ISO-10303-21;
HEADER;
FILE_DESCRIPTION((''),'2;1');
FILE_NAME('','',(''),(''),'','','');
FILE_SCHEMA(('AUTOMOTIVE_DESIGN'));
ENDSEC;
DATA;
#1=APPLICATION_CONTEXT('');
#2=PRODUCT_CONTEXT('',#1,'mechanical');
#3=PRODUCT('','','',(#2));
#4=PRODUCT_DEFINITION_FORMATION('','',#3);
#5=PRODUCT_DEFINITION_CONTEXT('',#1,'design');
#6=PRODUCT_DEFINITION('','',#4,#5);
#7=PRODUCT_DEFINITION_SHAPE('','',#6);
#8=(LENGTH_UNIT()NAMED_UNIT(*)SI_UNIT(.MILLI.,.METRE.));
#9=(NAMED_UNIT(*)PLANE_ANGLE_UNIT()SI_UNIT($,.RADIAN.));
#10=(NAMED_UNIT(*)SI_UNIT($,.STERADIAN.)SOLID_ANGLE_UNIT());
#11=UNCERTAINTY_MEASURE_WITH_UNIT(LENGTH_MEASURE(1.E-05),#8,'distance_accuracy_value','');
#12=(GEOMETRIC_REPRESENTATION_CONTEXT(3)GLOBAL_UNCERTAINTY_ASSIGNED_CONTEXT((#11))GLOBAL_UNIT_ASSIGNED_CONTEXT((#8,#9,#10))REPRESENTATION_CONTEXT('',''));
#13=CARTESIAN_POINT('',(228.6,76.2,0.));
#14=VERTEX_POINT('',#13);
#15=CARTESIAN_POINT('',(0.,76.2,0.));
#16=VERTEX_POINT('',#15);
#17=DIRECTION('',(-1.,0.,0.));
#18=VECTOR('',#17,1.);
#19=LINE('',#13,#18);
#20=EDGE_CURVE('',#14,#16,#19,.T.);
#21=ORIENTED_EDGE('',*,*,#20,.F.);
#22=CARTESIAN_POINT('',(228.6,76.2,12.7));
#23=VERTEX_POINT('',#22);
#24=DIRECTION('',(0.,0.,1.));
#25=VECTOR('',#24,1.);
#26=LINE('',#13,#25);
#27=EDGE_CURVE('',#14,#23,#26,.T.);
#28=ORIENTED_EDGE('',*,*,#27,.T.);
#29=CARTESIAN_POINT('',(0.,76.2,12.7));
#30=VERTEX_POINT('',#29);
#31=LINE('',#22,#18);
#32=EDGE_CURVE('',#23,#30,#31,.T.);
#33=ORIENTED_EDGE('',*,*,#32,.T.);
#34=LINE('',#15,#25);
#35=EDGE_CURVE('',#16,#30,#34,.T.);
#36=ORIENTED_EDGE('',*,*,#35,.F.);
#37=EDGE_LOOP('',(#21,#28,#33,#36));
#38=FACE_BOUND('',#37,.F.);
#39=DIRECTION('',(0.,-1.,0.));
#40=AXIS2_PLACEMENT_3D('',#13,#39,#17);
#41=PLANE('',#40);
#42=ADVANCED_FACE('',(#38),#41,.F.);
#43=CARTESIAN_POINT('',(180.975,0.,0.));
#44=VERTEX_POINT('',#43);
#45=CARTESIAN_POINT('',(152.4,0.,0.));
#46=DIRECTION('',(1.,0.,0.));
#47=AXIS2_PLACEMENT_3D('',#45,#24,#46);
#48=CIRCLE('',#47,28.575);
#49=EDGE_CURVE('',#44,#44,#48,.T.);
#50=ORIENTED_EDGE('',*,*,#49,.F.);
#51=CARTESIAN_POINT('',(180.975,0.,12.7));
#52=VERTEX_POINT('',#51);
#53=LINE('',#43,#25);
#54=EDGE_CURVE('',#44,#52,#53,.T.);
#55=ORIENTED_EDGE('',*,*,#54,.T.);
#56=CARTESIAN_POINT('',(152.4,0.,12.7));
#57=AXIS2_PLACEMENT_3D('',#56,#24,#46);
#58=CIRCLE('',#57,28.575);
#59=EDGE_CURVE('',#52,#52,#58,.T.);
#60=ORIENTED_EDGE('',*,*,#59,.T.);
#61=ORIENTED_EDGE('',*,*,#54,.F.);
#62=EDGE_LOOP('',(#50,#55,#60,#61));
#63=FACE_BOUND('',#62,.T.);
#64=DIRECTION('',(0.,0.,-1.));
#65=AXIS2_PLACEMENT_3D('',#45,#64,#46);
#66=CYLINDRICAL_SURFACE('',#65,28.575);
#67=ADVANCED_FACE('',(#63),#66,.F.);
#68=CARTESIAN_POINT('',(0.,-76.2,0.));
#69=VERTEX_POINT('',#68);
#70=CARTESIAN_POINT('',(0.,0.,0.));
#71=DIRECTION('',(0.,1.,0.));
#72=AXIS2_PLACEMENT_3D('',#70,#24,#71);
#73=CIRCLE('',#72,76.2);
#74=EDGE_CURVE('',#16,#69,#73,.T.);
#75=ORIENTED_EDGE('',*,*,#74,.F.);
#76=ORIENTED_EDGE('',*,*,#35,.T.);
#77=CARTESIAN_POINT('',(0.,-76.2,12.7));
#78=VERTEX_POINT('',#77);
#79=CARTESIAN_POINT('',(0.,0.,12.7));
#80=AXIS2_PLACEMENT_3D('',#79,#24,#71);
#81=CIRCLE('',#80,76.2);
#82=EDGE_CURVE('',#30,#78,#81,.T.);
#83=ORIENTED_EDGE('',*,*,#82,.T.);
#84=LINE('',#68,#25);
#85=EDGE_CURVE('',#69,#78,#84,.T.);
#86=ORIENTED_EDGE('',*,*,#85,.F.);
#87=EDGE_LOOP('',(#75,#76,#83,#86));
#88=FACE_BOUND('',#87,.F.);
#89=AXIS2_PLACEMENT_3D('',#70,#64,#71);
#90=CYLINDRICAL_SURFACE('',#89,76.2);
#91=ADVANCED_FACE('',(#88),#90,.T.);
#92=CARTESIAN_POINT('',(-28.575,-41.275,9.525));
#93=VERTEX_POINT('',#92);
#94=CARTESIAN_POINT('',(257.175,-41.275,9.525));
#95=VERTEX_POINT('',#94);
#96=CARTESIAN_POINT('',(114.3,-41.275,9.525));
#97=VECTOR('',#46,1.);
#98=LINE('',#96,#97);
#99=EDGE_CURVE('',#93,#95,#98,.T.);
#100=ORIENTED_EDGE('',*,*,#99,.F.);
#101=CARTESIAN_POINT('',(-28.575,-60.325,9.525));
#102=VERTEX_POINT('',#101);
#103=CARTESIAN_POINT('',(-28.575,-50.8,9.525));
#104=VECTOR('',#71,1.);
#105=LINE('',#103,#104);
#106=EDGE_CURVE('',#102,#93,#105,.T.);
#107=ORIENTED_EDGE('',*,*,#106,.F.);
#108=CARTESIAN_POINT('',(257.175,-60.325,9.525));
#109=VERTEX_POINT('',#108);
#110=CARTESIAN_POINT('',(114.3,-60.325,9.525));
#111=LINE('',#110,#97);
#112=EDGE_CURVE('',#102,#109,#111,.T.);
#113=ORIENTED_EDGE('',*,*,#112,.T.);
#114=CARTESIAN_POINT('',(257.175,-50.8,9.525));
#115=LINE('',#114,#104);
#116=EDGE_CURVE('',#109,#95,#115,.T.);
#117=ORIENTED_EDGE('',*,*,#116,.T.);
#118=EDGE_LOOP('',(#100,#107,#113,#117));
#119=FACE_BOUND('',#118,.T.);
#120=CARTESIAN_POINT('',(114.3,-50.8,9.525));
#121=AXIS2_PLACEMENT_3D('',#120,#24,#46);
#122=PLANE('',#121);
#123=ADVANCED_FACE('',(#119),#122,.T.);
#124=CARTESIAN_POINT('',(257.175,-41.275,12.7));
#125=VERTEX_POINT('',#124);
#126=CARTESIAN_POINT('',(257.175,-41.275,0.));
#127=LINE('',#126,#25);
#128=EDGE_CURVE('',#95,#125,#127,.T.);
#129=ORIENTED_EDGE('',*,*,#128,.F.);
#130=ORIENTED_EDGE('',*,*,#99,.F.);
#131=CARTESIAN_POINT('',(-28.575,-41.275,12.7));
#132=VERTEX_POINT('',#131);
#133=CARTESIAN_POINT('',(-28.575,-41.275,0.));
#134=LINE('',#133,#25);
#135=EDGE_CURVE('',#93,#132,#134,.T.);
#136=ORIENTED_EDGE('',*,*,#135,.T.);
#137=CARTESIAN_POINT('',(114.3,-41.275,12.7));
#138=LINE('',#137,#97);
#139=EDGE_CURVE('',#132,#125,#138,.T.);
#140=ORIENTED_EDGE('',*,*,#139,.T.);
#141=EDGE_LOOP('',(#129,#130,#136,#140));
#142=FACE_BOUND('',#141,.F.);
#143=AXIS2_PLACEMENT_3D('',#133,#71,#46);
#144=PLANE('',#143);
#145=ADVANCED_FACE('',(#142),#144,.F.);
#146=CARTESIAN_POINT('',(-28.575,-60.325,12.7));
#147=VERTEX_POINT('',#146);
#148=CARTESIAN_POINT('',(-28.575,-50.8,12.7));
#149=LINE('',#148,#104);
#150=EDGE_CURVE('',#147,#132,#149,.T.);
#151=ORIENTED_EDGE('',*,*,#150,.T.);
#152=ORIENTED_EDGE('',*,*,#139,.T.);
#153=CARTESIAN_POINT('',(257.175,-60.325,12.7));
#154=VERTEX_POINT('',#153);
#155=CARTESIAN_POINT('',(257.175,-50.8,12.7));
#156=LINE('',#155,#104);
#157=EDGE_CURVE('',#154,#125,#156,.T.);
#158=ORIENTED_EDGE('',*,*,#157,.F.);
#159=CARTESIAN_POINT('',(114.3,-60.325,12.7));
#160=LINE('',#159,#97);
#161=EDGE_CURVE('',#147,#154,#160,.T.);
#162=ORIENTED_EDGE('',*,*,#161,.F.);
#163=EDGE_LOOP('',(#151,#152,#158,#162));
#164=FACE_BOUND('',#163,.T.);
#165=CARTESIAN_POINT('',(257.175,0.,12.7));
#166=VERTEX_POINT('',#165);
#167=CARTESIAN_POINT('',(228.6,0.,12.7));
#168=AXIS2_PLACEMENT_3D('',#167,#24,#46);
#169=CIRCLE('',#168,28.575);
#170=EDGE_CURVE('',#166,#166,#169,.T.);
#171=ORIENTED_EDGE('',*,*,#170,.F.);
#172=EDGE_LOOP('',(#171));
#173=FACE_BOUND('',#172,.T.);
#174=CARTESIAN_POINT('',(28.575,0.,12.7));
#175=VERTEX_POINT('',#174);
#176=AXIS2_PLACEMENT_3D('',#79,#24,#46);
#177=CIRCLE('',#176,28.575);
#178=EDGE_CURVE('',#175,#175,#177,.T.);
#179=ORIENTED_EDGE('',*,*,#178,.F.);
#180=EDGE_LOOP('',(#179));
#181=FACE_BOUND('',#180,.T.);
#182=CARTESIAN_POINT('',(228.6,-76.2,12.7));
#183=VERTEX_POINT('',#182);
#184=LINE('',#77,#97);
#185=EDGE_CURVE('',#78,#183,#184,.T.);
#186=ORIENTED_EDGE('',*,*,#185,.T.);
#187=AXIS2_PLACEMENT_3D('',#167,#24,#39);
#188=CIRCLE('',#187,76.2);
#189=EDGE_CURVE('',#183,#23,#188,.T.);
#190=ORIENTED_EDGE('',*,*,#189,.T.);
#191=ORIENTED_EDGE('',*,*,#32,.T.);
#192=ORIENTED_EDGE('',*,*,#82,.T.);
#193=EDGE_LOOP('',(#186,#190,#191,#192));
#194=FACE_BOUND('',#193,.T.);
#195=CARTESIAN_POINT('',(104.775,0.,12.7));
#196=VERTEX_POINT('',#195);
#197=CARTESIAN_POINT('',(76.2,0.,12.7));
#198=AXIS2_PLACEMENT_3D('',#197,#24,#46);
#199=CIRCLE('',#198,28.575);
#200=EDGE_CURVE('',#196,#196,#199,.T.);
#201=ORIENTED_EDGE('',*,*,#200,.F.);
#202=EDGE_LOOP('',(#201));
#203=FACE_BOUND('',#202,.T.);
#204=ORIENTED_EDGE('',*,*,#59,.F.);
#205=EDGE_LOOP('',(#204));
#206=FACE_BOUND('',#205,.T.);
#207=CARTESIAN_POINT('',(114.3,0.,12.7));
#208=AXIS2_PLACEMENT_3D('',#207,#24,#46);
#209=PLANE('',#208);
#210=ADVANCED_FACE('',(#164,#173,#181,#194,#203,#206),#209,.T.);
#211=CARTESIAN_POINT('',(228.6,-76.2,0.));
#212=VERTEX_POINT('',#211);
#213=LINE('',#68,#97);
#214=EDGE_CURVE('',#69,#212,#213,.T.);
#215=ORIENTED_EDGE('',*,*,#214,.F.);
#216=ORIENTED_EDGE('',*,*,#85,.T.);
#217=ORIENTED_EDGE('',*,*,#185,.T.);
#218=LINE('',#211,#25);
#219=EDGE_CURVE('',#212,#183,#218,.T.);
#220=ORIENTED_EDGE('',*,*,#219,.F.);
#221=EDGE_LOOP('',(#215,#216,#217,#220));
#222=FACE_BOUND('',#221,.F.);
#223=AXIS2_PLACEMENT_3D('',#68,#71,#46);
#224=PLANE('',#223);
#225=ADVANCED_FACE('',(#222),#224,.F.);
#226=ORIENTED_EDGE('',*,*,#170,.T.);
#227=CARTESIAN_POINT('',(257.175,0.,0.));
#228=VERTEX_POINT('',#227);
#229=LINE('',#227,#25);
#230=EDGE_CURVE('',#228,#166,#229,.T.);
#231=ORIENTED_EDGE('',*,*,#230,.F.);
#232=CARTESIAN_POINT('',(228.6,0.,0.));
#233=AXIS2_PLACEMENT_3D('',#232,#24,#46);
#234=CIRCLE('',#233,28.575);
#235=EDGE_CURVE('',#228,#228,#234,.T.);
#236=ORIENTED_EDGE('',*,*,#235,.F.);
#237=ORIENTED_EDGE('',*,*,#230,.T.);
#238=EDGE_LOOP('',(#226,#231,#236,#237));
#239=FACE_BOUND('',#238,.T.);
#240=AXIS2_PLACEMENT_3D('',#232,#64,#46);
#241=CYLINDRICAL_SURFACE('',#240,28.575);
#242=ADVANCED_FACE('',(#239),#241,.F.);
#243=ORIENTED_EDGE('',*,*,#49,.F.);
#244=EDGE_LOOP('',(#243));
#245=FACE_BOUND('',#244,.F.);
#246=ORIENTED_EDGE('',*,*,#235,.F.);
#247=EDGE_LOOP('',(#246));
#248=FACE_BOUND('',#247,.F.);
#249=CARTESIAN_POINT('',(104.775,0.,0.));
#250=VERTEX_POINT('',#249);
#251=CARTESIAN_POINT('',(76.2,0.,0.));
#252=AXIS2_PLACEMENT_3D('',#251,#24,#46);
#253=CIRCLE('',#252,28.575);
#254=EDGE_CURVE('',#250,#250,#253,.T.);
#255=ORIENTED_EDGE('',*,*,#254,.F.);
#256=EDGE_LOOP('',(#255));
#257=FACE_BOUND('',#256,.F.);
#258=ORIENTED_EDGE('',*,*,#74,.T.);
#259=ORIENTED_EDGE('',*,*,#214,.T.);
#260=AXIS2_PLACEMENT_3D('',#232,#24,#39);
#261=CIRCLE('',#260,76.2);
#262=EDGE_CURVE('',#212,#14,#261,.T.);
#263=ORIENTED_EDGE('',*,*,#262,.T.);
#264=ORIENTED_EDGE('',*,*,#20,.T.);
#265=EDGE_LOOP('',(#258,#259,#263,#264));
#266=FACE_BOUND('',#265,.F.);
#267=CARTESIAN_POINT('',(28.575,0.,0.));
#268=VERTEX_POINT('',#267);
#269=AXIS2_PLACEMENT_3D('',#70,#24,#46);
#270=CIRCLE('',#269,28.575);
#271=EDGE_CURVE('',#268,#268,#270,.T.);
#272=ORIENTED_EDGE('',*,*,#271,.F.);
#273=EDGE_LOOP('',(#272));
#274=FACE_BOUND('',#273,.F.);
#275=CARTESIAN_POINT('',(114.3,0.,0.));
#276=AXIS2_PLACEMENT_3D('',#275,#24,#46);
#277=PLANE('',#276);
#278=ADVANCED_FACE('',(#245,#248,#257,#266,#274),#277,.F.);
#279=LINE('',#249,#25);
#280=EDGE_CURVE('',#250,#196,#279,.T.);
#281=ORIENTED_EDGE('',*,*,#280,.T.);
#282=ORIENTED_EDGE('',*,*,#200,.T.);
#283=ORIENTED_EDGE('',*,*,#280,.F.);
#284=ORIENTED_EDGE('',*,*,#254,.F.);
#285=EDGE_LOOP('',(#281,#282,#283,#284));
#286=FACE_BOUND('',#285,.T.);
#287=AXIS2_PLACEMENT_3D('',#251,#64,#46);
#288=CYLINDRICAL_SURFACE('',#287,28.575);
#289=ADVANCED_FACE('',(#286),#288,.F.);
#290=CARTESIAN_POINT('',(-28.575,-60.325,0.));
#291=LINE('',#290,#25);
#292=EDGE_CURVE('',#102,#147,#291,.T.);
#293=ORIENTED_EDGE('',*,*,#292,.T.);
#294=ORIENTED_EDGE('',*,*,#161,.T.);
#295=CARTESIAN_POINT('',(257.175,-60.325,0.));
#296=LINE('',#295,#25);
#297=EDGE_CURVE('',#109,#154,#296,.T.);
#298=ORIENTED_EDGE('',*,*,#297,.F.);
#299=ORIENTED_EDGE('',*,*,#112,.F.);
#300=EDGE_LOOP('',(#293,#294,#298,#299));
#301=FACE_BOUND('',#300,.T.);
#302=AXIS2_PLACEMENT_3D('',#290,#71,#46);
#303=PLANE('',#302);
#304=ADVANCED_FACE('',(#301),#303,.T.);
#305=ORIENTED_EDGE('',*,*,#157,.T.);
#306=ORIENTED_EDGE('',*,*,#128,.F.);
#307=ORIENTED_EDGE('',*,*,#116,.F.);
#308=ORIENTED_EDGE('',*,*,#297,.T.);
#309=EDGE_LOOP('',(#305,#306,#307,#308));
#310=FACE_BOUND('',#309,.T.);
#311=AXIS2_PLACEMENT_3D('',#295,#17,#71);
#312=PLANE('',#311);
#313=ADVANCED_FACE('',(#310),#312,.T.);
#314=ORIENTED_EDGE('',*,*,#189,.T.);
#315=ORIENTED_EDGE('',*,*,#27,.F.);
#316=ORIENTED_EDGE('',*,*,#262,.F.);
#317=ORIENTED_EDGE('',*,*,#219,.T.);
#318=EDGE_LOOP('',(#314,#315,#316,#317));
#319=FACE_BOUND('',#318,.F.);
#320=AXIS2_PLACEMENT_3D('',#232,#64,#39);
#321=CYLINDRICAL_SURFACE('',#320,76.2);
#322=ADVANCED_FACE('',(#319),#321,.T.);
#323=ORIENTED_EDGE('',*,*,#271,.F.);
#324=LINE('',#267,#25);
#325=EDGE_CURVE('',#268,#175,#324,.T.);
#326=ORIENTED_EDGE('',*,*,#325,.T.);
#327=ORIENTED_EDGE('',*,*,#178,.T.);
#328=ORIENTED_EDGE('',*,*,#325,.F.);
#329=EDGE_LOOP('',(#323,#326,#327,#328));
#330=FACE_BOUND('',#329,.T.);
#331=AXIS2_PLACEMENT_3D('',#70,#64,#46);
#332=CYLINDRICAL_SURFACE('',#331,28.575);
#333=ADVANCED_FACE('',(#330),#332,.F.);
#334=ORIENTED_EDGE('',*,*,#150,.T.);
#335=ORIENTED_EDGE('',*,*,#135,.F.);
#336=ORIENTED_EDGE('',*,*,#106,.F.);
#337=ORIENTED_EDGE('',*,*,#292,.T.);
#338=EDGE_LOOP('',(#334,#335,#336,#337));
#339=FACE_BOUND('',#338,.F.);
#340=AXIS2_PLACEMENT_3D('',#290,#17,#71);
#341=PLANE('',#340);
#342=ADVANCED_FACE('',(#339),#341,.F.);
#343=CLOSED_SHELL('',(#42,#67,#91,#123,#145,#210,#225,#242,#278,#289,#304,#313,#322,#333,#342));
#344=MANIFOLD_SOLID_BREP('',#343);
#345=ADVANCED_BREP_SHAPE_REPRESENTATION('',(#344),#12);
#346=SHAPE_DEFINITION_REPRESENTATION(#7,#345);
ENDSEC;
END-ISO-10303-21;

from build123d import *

# Parameters (mm, degrees)
F0_W     = 285.75
F0_H     = 19.05
F1_DEPTH = 9.525
F0_R     = 28.575
F2_DEPTH = 12.7


with BuildPart() as f1:
    # F0 (on Top) → F1 (new body)
    with BuildSketch(Plane.XY):
        with Locations((114.3, -50.8)):
            Rectangle(F0_W, F0_H)
    extrude(amount=F1_DEPTH)

    # F0 (on Top) → F2 (join)
    with BuildSketch(Plane.XY):
        with BuildLine():
            Line((228.6, 76.2), (0, 76.2))
            ThreePointArc((0, 76.2), (-76.2, 0), (0, -76.2))
            Line((0, -76.2), (228.6, -76.2))
            ThreePointArc((228.6, -76.2), (304.8, 0), (228.6, 76.2))
        make_face()
        with Locations((114.3, -50.8)):
            Rectangle(F0_W, F0_H, mode=Mode.SUBTRACT)
        Circle(F0_R, mode=Mode.SUBTRACT)
        with Locations((76.2, 0)):
            Circle(F0_R, mode=Mode.SUBTRACT)
        with Locations((152.4, 0)):
            Circle(F0_R, mode=Mode.SUBTRACT)
        with Locations((228.6, 0)):
            Circle(F0_R, mode=Mode.SUBTRACT)
    extrude(amount=F2_DEPTH)


solid = f1.part
